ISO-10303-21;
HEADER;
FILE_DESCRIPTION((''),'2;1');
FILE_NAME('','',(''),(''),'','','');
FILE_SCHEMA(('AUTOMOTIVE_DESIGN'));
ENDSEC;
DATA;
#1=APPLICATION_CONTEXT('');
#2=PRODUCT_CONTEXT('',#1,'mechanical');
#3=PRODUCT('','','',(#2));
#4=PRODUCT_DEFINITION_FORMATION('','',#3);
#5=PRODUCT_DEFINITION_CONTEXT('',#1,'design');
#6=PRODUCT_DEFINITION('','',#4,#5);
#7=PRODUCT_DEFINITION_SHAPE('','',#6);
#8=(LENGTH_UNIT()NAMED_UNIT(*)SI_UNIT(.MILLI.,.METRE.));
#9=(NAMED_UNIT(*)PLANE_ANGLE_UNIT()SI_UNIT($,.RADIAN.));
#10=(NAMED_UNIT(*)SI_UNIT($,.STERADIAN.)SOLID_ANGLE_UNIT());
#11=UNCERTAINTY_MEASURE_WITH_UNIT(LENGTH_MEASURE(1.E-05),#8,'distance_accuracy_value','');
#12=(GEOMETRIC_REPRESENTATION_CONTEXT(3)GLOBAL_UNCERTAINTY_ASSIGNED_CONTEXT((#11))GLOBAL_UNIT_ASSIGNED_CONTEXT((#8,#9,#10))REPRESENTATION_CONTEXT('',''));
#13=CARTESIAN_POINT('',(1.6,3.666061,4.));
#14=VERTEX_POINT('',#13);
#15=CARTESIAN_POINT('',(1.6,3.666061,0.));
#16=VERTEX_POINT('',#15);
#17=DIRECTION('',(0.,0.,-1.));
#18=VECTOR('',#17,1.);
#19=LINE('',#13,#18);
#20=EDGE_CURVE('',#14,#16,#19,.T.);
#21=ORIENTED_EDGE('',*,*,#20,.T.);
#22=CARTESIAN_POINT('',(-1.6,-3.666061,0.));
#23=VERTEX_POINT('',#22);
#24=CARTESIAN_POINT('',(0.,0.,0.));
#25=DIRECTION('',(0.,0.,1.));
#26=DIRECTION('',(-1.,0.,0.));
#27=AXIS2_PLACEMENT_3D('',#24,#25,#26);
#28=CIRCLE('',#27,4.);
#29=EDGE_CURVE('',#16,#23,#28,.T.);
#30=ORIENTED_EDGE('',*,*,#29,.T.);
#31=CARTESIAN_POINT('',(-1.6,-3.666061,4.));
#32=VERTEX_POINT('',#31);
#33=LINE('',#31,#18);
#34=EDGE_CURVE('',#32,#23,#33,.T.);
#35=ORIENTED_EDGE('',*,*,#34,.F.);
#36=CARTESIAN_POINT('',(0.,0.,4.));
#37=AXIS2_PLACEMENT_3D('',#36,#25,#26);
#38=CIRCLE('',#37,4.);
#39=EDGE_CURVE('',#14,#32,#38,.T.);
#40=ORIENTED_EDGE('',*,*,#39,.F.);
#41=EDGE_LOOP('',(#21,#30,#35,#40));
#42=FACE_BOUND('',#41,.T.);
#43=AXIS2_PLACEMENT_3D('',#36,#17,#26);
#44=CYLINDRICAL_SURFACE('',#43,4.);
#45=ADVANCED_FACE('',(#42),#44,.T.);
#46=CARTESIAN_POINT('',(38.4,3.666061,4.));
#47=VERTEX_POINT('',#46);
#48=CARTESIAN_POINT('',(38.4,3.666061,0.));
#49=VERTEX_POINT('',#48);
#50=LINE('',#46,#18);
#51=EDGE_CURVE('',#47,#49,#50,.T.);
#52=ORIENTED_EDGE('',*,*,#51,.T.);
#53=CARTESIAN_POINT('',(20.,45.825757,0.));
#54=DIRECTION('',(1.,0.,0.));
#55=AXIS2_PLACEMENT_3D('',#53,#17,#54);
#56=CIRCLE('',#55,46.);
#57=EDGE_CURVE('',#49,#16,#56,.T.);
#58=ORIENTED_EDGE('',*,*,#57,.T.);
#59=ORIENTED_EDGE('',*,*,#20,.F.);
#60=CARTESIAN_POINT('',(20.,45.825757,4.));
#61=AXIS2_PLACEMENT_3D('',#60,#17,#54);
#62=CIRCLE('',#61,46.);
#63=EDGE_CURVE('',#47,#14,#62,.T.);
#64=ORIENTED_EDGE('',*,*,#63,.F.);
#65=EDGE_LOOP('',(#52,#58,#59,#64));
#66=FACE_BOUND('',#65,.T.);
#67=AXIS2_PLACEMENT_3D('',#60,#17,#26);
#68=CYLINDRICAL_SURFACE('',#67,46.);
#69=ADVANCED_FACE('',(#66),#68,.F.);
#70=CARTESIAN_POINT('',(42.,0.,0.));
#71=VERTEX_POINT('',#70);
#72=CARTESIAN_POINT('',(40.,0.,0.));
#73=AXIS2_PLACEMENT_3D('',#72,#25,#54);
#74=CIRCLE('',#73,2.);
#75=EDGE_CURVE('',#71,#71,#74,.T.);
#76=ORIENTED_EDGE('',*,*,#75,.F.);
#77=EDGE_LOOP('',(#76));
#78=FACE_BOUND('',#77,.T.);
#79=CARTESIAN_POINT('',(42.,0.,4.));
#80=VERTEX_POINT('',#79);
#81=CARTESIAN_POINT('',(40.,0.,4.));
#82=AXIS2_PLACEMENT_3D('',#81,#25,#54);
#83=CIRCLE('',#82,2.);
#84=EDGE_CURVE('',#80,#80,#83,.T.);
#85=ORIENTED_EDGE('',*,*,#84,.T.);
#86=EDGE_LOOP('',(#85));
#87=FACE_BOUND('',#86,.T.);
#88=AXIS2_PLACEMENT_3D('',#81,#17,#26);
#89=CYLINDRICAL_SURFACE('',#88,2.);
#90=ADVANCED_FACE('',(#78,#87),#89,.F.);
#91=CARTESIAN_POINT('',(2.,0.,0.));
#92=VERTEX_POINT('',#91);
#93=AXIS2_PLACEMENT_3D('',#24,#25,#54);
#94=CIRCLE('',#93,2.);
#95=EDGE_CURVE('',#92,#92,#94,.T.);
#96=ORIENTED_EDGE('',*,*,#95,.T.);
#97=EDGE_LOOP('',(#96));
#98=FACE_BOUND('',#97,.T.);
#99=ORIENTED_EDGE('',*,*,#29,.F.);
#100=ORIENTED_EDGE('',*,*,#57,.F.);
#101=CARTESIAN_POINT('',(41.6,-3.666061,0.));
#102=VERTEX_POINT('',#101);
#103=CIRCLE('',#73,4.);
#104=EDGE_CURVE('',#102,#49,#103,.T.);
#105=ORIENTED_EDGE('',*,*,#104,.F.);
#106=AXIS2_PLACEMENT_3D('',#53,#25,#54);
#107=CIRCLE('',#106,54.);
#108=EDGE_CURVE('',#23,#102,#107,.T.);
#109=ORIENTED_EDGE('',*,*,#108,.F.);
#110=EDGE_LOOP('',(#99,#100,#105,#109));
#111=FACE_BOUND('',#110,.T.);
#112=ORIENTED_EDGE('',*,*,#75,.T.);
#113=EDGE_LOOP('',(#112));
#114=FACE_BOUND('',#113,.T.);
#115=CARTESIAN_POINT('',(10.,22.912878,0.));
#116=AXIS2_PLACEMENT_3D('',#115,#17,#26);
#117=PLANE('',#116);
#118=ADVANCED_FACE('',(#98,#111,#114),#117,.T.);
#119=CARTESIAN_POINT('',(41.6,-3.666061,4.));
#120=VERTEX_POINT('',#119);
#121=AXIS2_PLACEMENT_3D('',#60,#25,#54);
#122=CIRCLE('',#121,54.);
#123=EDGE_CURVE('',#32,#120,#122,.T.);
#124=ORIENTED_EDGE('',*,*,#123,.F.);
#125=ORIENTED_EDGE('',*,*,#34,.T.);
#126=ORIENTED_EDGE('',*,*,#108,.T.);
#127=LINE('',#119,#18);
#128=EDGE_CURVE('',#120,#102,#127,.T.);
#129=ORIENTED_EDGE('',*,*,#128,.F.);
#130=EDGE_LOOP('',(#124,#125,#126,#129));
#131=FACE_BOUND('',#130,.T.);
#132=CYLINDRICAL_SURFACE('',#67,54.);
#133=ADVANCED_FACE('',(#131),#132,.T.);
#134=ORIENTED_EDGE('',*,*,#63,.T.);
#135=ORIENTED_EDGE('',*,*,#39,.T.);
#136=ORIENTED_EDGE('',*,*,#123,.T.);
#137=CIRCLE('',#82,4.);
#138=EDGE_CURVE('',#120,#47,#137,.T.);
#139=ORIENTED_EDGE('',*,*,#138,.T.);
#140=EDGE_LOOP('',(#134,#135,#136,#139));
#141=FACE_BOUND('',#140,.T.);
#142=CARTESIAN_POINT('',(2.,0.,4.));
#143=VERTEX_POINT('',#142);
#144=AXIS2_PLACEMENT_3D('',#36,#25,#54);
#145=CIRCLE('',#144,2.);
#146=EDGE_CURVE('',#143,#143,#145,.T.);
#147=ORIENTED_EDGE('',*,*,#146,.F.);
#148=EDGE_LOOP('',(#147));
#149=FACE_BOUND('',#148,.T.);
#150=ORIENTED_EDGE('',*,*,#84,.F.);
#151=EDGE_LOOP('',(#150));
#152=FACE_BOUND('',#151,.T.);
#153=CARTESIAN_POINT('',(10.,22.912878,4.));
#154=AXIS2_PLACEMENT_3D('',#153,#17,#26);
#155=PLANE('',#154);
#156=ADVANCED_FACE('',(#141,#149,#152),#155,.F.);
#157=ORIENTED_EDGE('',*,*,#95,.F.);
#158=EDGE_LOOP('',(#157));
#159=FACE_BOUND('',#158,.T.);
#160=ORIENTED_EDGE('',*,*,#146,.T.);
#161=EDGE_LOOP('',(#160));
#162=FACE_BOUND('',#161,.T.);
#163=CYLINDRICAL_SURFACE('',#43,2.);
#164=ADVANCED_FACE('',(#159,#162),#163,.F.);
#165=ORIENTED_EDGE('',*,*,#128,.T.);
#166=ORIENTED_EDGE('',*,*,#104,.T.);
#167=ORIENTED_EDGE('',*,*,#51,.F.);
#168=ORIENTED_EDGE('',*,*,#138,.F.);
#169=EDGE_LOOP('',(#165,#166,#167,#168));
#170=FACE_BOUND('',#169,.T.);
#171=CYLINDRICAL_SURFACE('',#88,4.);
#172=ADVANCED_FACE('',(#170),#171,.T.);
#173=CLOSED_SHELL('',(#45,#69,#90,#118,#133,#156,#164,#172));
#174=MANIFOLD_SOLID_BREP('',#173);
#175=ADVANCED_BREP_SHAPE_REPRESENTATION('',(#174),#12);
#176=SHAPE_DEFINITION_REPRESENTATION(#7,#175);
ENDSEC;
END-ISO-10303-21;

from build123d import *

# Parameters (mm, degrees)
SKETCH1_R           = 2
BOSS_EXTRUDE1_DEPTH = 4


with BuildPart() as part:
    # Sketch1 → Boss-Extrude1 (new body)
    with BuildSketch(Plane.XY):
        with BuildLine():
            ThreePointArc((-1.6, -3.666060556), (20, -8.17424305), (41.6, -3.666060556))
            ThreePointArc((41.6, -3.666060556), (43.666060556, 1.6), (38.4, 3.666060556))
            ThreePointArc((38.4, 3.666060556), (20, -0.17424305), (1.6, 3.666060556))
            ThreePointArc((1.6, 3.666060556), (-3.666060556, 1.6), (-1.6, -3.666060556))
        make_face()
        Circle(SKETCH1_R, mode=Mode.SUBTRACT)
        with Locations((40, 0)):
            Circle(SKETCH1_R, mode=Mode.SUBTRACT)
    extrude(amount=BOSS_EXTRUDE1_DEPTH)


solid = part.part
